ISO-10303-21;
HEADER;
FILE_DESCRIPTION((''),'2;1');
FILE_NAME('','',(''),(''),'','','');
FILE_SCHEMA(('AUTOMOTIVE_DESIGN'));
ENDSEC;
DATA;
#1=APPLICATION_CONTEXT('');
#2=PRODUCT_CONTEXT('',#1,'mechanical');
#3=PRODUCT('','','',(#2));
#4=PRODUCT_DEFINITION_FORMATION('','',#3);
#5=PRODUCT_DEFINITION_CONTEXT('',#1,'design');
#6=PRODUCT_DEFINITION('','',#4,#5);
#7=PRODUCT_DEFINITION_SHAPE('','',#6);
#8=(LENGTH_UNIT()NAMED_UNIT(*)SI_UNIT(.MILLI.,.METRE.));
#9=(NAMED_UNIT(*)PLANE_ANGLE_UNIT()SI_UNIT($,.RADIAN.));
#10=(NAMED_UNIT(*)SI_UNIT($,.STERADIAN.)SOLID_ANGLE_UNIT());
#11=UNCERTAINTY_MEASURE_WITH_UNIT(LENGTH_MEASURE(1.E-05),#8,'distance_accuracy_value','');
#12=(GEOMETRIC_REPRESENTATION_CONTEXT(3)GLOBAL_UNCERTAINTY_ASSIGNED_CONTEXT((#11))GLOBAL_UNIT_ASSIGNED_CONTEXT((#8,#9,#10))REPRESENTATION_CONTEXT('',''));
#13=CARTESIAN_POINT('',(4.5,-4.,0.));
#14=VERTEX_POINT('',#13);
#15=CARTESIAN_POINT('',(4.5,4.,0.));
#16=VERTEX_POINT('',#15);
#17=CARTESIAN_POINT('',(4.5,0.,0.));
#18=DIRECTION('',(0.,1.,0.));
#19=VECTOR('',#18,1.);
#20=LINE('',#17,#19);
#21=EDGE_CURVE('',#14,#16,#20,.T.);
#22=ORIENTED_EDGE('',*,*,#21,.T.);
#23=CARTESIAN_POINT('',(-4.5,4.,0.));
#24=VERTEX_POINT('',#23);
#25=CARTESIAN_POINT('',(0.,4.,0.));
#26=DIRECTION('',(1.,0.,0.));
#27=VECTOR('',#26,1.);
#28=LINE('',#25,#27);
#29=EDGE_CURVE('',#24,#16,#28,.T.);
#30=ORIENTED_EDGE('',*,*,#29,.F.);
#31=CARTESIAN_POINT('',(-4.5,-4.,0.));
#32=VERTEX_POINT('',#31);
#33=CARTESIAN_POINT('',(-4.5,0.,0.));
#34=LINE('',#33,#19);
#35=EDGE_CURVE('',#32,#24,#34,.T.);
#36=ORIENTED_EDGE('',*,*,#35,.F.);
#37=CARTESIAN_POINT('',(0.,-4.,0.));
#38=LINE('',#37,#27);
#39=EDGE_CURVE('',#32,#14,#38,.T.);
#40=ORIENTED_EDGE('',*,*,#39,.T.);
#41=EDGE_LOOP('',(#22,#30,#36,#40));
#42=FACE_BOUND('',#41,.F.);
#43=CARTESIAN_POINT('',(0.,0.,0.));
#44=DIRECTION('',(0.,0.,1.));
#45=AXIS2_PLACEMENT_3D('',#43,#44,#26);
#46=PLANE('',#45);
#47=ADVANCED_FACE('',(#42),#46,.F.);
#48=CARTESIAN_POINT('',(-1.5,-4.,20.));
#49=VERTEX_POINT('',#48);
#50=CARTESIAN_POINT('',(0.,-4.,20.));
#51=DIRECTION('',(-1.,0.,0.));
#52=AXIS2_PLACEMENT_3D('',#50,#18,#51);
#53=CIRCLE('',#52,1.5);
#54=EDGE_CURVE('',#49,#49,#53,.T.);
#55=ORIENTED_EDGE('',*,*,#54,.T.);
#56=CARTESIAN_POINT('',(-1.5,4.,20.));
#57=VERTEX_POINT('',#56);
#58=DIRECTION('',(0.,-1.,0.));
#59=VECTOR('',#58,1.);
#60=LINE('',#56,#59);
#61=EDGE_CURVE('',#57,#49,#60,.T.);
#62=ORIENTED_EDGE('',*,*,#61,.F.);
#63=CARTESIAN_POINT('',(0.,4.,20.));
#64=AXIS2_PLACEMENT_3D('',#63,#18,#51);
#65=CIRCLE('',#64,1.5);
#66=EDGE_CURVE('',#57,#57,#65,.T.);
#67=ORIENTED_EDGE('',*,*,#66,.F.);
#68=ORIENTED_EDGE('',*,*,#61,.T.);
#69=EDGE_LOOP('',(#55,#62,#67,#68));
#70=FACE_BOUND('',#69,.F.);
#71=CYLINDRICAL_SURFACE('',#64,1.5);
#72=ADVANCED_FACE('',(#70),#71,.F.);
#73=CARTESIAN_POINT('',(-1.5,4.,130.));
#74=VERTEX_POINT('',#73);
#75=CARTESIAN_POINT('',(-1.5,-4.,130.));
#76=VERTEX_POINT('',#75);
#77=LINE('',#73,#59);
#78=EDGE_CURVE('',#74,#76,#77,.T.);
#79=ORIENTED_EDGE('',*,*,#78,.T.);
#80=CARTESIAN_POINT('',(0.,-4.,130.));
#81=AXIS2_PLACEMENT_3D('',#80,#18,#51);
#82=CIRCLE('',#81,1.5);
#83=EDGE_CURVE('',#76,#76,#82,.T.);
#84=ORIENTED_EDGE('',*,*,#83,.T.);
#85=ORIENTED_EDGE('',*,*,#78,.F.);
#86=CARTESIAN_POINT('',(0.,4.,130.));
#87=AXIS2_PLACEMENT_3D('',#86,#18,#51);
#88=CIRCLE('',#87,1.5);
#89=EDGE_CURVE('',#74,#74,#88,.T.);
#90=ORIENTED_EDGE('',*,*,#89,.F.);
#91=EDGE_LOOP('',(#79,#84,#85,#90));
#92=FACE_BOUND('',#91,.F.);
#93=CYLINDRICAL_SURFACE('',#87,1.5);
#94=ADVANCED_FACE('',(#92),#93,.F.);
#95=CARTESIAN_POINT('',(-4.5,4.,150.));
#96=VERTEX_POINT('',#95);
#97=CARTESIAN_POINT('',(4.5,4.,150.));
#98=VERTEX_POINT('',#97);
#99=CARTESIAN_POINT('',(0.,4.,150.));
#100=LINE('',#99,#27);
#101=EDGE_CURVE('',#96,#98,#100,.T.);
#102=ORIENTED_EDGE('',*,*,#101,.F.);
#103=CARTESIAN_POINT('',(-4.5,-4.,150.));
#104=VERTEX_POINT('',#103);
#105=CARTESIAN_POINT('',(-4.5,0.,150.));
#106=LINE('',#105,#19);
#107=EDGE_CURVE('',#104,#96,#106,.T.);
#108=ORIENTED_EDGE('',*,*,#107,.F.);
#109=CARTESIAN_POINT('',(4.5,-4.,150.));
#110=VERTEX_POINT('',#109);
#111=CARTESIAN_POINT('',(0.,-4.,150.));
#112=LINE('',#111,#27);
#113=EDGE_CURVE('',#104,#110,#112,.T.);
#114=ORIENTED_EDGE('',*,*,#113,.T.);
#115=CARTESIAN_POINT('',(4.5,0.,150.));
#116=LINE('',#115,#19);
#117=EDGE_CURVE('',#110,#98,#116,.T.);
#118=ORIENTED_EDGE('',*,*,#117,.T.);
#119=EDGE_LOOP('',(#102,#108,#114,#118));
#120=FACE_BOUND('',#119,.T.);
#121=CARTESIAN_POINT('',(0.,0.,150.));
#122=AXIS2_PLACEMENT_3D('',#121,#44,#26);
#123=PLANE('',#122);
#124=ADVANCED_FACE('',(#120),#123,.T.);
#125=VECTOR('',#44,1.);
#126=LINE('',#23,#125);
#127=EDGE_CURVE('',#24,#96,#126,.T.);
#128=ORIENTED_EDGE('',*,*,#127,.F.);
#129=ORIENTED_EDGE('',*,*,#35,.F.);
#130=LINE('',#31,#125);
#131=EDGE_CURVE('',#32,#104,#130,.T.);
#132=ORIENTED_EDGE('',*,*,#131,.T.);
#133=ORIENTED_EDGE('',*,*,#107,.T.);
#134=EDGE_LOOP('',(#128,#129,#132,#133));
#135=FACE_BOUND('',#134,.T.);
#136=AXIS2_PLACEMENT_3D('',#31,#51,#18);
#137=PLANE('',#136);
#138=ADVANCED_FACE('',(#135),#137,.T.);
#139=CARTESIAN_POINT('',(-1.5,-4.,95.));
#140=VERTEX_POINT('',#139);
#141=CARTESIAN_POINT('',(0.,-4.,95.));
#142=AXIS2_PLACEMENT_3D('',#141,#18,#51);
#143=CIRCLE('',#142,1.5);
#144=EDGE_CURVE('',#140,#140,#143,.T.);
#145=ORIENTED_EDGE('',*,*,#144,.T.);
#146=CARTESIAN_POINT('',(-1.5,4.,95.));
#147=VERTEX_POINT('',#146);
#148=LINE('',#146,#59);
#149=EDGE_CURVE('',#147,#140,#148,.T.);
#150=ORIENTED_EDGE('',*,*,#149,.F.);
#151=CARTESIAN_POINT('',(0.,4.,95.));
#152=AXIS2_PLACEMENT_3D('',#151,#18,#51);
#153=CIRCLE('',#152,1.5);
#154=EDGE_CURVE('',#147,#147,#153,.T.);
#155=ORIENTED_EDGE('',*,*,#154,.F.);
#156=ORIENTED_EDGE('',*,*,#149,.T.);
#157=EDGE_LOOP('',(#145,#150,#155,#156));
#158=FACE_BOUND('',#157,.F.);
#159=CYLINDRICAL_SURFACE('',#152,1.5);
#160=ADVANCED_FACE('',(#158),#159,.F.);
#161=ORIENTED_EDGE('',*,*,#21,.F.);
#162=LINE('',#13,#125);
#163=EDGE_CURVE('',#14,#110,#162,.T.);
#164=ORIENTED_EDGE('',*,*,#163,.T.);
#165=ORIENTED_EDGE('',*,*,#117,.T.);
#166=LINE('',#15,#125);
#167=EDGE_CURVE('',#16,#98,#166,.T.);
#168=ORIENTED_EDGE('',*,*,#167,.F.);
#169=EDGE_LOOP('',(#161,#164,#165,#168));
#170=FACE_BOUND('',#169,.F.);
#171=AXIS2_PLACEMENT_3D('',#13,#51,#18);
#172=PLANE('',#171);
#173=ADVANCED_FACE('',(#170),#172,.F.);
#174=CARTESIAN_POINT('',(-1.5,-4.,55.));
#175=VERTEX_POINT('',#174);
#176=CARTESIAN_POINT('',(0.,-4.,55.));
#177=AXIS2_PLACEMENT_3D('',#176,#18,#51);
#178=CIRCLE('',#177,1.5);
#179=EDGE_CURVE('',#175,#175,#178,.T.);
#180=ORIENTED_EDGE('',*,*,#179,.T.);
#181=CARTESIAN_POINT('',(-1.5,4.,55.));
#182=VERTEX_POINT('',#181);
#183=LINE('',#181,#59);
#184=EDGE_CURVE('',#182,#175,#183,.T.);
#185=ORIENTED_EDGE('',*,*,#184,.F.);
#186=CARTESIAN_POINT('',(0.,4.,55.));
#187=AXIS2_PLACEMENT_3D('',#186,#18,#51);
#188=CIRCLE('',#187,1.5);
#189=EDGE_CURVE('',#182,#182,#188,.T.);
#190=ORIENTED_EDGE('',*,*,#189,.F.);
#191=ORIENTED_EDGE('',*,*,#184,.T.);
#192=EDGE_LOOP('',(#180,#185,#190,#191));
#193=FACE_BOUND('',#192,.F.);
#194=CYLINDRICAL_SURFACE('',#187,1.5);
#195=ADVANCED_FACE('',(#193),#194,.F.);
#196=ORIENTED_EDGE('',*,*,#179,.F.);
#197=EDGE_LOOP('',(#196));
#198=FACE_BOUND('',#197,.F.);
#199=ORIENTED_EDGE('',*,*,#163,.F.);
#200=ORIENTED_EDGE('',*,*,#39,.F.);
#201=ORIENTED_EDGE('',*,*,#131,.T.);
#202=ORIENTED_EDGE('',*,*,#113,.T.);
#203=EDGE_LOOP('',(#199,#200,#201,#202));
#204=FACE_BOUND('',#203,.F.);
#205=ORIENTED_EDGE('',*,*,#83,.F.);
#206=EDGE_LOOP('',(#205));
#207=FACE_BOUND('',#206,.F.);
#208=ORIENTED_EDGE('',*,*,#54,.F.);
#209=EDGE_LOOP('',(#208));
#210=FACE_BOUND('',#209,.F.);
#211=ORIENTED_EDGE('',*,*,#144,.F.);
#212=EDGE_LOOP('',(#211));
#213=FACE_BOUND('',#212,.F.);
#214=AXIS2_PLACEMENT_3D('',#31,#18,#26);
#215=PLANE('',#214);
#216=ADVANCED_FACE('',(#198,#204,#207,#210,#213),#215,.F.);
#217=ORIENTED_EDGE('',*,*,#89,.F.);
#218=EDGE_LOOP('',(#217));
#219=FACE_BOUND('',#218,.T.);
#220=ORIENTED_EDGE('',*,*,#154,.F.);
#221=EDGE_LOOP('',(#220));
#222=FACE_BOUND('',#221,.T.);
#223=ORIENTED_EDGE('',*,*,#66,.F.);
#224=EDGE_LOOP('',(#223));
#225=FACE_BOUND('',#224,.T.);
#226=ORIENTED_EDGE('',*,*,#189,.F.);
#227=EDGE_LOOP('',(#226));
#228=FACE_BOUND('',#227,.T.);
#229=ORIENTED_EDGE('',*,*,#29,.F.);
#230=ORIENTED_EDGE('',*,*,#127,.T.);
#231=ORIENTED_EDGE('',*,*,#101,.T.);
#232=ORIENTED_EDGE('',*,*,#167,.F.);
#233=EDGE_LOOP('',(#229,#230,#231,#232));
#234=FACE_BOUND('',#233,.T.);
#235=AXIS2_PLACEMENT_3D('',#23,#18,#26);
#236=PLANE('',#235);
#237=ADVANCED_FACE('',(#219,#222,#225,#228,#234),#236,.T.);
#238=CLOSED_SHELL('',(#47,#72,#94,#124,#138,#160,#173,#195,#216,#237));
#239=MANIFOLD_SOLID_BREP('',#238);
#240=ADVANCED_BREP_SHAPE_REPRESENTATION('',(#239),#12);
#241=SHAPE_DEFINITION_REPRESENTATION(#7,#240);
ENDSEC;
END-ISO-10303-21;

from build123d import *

# Parameters (mm, degrees)
F0_W     = 9
F0_H     = 8
F1_DEPTH = 150
F2_R     = 1.5
F3_DEPTH = 9


with BuildPart() as f1:
    # F0 (on Top) → F1 (new body)
    with BuildSketch(Plane.XY):
        Rectangle(F0_W, F0_H)
    extrude(amount=F1_DEPTH)

    # F2 (on face) → F3 (cut)
    with BuildSketch(Plane(origin=(0, 4, 0), x_dir=(-1, 0, 0), z_dir=(0, 1, 0))):
        with Locations((0, 20)):
            Circle(F2_R)
        with Locations((0, 55)):
            Circle(F2_R)
        with Locations((0, 95)):
            Circle(F2_R)
        with Locations((0, 130)):
            Circle(F2_R)
    extrude(amount=-F3_DEPTH, mode=Mode.SUBTRACT)


solid = f1.part
